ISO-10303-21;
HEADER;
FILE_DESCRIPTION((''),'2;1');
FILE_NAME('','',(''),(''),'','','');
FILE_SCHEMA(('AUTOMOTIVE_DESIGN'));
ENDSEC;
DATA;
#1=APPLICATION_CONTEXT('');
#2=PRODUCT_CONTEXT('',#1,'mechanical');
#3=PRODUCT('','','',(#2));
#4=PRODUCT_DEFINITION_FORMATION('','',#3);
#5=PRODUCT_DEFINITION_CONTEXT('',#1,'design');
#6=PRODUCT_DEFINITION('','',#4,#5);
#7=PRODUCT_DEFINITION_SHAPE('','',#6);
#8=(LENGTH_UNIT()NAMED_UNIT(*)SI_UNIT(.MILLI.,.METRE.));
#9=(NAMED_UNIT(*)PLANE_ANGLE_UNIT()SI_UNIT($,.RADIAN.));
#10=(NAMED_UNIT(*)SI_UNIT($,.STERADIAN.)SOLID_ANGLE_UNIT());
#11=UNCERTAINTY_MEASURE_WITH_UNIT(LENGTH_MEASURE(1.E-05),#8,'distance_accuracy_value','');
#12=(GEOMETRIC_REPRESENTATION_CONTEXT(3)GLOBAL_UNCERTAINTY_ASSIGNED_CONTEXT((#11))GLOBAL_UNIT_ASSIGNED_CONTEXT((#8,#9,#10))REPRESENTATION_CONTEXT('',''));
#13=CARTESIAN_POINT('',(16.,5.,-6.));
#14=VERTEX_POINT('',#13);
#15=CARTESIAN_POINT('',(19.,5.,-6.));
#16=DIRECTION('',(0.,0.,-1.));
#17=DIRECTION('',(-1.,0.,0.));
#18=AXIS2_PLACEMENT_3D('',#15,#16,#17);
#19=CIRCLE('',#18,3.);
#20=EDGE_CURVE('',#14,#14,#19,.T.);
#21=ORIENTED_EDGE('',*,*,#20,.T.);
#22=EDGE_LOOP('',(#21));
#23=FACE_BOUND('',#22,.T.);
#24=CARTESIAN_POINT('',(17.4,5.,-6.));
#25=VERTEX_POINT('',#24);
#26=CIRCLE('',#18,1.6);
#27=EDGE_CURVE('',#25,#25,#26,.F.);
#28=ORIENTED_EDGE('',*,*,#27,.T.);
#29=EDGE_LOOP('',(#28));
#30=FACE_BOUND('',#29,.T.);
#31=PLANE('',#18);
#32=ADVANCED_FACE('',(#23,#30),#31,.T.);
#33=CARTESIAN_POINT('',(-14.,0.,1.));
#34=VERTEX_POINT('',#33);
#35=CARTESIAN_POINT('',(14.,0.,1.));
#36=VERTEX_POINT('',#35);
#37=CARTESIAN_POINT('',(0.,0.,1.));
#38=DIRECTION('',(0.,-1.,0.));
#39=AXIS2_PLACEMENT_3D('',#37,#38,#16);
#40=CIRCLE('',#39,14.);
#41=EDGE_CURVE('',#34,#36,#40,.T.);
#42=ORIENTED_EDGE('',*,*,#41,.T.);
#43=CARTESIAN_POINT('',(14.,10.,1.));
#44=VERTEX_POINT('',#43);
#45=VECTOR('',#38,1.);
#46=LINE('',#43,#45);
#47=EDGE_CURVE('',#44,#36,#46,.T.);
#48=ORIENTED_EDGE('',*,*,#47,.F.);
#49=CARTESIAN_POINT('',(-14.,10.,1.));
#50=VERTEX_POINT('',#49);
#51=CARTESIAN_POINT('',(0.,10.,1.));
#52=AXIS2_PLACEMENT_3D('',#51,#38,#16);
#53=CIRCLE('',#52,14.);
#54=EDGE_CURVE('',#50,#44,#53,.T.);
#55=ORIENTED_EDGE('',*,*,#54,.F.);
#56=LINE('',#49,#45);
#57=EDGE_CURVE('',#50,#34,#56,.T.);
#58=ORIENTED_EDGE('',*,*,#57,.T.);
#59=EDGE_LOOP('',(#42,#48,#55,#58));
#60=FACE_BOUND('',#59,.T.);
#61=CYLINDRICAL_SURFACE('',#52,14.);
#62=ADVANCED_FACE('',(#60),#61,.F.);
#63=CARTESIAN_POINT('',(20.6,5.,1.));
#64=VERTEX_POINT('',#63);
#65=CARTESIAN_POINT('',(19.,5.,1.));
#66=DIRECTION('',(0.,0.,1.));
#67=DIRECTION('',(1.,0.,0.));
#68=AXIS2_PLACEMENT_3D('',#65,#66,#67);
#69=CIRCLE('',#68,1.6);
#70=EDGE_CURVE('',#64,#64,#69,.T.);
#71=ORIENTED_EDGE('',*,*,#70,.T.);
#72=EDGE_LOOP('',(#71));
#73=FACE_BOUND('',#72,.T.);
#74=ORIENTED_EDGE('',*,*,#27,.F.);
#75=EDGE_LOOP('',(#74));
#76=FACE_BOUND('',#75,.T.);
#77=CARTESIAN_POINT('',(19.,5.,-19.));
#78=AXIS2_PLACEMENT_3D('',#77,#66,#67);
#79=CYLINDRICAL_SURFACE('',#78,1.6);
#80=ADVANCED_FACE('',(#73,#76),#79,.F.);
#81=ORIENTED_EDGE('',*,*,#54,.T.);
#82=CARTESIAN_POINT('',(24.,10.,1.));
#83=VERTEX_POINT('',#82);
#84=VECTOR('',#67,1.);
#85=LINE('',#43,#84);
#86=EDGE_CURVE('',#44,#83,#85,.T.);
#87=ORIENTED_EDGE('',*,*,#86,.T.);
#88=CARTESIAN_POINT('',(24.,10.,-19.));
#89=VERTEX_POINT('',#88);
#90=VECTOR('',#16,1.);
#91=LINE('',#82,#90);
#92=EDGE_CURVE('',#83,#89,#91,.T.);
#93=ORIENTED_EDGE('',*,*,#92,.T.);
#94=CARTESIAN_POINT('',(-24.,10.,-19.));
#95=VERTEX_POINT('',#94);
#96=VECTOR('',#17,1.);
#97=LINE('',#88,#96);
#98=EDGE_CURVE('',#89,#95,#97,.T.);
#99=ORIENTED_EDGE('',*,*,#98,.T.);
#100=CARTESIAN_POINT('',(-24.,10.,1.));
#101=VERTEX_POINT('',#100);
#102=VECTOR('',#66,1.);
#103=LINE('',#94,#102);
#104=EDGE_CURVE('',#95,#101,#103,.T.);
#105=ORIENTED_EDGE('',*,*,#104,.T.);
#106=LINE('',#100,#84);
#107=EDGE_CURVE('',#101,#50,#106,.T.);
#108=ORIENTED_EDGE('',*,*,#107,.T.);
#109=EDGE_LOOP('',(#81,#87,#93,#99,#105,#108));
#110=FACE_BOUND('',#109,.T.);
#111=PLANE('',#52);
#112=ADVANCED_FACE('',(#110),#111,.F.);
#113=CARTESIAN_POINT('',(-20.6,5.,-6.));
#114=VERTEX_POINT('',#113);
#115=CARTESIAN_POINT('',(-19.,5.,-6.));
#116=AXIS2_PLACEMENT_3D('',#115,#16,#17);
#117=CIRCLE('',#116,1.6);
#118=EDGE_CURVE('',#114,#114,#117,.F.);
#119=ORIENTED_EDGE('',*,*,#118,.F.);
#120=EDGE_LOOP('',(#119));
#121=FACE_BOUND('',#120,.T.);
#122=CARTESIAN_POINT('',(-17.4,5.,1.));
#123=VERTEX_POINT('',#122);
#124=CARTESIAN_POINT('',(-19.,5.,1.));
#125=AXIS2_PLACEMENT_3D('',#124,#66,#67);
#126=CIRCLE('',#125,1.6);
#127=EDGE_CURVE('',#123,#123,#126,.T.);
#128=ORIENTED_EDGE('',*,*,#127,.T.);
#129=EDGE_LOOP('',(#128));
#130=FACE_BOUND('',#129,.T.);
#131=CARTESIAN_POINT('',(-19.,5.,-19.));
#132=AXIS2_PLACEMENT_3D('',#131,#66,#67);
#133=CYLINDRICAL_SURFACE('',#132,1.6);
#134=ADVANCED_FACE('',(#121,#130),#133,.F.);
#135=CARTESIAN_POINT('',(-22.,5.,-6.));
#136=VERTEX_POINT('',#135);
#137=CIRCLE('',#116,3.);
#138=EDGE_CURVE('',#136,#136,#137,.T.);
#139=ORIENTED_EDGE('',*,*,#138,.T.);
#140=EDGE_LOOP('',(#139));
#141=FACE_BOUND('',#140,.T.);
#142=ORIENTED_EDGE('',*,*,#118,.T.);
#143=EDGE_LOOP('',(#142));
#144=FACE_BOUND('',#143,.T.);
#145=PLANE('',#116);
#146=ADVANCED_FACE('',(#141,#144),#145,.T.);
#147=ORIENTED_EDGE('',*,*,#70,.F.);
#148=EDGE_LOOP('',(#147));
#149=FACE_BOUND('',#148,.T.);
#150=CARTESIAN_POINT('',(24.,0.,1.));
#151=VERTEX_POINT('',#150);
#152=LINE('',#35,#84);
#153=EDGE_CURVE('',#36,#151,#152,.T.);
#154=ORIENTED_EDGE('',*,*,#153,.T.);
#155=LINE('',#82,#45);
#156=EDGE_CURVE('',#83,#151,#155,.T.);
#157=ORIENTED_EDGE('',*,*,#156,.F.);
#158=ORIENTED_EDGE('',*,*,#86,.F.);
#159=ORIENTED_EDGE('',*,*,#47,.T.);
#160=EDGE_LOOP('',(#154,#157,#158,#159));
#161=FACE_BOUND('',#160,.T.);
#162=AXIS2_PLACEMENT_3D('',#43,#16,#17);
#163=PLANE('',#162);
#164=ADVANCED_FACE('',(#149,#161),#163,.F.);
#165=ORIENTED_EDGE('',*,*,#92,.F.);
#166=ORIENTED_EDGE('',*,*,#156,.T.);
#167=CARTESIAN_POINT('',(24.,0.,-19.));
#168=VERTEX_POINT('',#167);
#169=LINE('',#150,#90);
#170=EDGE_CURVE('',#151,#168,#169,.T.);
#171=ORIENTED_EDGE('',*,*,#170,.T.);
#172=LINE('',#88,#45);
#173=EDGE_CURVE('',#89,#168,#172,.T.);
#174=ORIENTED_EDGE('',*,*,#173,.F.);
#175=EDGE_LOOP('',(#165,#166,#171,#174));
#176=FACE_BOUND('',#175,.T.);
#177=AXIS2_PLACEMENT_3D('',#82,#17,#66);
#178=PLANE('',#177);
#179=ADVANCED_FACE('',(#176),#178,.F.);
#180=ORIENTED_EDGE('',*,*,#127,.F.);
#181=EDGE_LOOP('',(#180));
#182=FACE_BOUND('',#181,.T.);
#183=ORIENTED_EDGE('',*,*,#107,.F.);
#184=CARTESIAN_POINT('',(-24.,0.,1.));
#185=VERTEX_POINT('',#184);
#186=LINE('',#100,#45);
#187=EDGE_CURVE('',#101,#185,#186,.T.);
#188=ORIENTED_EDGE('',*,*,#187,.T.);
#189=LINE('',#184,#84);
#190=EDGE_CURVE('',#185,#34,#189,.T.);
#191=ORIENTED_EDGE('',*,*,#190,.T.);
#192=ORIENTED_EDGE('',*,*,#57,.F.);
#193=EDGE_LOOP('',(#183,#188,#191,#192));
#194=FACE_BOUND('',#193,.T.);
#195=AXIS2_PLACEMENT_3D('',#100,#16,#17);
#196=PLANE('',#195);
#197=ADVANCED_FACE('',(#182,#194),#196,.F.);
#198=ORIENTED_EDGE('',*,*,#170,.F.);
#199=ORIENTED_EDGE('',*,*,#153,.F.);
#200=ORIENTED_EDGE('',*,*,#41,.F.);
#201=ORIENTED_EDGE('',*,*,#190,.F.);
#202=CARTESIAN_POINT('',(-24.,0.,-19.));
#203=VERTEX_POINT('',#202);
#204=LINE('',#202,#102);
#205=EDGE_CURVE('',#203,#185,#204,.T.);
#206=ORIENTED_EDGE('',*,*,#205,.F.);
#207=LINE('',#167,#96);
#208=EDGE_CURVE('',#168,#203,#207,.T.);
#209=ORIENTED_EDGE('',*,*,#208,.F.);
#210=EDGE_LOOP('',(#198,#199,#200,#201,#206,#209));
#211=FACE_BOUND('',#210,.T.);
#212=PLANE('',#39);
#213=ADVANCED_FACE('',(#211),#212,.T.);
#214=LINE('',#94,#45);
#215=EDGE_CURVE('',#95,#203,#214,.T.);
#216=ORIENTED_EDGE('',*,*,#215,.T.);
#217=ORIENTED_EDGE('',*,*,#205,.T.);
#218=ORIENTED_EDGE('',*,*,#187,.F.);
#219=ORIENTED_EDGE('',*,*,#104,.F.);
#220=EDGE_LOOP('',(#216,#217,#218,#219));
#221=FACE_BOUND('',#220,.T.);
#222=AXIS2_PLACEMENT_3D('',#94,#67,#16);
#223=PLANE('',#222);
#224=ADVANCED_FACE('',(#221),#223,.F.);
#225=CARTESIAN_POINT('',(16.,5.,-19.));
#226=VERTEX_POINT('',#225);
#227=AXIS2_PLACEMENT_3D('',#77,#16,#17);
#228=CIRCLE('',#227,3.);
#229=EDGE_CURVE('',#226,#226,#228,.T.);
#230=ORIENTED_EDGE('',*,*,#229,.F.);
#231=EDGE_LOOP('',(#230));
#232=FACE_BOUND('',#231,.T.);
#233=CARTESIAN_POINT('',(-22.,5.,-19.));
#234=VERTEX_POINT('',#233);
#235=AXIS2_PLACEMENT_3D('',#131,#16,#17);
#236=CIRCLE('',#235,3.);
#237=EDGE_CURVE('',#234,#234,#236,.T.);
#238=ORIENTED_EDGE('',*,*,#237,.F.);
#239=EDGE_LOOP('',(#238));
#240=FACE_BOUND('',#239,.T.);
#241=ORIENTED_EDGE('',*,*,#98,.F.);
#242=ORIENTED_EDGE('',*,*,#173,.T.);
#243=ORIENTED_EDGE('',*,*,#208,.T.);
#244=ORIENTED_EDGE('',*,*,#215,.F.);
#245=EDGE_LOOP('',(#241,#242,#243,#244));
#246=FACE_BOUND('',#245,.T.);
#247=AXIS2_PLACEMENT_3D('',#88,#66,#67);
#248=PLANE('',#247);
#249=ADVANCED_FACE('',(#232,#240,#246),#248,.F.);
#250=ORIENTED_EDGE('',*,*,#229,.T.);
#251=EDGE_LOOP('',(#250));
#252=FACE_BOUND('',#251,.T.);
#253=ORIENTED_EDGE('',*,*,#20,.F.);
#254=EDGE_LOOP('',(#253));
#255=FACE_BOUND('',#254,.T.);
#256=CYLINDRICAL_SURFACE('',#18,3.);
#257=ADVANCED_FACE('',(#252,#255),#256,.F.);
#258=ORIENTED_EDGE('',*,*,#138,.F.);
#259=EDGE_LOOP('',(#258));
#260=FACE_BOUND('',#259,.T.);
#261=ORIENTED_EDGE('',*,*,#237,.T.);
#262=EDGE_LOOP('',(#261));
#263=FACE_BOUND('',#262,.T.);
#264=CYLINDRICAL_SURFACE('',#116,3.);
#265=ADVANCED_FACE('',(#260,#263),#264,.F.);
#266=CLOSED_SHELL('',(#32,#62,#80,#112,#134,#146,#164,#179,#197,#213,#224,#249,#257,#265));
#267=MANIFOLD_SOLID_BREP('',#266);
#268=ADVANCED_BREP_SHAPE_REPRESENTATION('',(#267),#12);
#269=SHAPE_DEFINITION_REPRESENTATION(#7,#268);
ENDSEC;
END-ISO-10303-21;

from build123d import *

# Parameters (mm, degrees)
AUFSATZ_LINEAR_AUSTRAGEN1_DEPTH = 10
SKIZZE2_R                       = 1.6
SCHNITT_LINEAR_AUSTRAGEN1_DEPTH = 21
SKIZZE3_R                       = 3
SCHNITT_LINEAR_AUSTRAGEN2_DEPTH = 13


with BuildPart() as part:
    # Skizze1 → Aufsatz-Linear austragen1 (new body)
    with BuildSketch(Plane(origin=(0, 0, 0), x_dir=(1, 0, 0), z_dir=(0, 1, 0))):
        with BuildLine():
            Line((14, -1), (24, -1))
            Line((24, -1), (24, 19))
            Line((24, 19), (-24, 19))
            Line((-24, 19), (-24, -1))
            Line((-24, -1), (-14, -1))
            ThreePointArc((-14, -1), (0, 13), (14, -1))
        make_face()
    extrude(amount=AUFSATZ_LINEAR_AUSTRAGEN1_DEPTH)

    # Skizze2 → Schnitt-Linear austragen1 (cut, through all)
    with BuildSketch(Plane.XY.offset(1)):
        with Locations((-19, 5)):
            Circle(SKIZZE2_R)
        with Locations((19, 5)):
            Circle(SKIZZE2_R)
    extrude(amount=-SCHNITT_LINEAR_AUSTRAGEN1_DEPTH, mode=Mode.SUBTRACT)

    # Skizze3 → Schnitt-Linear austragen2 (cut)
    with BuildSketch(Plane(origin=(0, 0, -19), x_dir=(-1, 0, 0), z_dir=(0, 0, -1))):
        with Locations((-19, 5)):
            Circle(SKIZZE3_R)
        with Locations((19, 5)):
            Circle(SKIZZE3_R)
    extrude(amount=-SCHNITT_LINEAR_AUSTRAGEN2_DEPTH, mode=Mode.SUBTRACT)


solid = part.part
